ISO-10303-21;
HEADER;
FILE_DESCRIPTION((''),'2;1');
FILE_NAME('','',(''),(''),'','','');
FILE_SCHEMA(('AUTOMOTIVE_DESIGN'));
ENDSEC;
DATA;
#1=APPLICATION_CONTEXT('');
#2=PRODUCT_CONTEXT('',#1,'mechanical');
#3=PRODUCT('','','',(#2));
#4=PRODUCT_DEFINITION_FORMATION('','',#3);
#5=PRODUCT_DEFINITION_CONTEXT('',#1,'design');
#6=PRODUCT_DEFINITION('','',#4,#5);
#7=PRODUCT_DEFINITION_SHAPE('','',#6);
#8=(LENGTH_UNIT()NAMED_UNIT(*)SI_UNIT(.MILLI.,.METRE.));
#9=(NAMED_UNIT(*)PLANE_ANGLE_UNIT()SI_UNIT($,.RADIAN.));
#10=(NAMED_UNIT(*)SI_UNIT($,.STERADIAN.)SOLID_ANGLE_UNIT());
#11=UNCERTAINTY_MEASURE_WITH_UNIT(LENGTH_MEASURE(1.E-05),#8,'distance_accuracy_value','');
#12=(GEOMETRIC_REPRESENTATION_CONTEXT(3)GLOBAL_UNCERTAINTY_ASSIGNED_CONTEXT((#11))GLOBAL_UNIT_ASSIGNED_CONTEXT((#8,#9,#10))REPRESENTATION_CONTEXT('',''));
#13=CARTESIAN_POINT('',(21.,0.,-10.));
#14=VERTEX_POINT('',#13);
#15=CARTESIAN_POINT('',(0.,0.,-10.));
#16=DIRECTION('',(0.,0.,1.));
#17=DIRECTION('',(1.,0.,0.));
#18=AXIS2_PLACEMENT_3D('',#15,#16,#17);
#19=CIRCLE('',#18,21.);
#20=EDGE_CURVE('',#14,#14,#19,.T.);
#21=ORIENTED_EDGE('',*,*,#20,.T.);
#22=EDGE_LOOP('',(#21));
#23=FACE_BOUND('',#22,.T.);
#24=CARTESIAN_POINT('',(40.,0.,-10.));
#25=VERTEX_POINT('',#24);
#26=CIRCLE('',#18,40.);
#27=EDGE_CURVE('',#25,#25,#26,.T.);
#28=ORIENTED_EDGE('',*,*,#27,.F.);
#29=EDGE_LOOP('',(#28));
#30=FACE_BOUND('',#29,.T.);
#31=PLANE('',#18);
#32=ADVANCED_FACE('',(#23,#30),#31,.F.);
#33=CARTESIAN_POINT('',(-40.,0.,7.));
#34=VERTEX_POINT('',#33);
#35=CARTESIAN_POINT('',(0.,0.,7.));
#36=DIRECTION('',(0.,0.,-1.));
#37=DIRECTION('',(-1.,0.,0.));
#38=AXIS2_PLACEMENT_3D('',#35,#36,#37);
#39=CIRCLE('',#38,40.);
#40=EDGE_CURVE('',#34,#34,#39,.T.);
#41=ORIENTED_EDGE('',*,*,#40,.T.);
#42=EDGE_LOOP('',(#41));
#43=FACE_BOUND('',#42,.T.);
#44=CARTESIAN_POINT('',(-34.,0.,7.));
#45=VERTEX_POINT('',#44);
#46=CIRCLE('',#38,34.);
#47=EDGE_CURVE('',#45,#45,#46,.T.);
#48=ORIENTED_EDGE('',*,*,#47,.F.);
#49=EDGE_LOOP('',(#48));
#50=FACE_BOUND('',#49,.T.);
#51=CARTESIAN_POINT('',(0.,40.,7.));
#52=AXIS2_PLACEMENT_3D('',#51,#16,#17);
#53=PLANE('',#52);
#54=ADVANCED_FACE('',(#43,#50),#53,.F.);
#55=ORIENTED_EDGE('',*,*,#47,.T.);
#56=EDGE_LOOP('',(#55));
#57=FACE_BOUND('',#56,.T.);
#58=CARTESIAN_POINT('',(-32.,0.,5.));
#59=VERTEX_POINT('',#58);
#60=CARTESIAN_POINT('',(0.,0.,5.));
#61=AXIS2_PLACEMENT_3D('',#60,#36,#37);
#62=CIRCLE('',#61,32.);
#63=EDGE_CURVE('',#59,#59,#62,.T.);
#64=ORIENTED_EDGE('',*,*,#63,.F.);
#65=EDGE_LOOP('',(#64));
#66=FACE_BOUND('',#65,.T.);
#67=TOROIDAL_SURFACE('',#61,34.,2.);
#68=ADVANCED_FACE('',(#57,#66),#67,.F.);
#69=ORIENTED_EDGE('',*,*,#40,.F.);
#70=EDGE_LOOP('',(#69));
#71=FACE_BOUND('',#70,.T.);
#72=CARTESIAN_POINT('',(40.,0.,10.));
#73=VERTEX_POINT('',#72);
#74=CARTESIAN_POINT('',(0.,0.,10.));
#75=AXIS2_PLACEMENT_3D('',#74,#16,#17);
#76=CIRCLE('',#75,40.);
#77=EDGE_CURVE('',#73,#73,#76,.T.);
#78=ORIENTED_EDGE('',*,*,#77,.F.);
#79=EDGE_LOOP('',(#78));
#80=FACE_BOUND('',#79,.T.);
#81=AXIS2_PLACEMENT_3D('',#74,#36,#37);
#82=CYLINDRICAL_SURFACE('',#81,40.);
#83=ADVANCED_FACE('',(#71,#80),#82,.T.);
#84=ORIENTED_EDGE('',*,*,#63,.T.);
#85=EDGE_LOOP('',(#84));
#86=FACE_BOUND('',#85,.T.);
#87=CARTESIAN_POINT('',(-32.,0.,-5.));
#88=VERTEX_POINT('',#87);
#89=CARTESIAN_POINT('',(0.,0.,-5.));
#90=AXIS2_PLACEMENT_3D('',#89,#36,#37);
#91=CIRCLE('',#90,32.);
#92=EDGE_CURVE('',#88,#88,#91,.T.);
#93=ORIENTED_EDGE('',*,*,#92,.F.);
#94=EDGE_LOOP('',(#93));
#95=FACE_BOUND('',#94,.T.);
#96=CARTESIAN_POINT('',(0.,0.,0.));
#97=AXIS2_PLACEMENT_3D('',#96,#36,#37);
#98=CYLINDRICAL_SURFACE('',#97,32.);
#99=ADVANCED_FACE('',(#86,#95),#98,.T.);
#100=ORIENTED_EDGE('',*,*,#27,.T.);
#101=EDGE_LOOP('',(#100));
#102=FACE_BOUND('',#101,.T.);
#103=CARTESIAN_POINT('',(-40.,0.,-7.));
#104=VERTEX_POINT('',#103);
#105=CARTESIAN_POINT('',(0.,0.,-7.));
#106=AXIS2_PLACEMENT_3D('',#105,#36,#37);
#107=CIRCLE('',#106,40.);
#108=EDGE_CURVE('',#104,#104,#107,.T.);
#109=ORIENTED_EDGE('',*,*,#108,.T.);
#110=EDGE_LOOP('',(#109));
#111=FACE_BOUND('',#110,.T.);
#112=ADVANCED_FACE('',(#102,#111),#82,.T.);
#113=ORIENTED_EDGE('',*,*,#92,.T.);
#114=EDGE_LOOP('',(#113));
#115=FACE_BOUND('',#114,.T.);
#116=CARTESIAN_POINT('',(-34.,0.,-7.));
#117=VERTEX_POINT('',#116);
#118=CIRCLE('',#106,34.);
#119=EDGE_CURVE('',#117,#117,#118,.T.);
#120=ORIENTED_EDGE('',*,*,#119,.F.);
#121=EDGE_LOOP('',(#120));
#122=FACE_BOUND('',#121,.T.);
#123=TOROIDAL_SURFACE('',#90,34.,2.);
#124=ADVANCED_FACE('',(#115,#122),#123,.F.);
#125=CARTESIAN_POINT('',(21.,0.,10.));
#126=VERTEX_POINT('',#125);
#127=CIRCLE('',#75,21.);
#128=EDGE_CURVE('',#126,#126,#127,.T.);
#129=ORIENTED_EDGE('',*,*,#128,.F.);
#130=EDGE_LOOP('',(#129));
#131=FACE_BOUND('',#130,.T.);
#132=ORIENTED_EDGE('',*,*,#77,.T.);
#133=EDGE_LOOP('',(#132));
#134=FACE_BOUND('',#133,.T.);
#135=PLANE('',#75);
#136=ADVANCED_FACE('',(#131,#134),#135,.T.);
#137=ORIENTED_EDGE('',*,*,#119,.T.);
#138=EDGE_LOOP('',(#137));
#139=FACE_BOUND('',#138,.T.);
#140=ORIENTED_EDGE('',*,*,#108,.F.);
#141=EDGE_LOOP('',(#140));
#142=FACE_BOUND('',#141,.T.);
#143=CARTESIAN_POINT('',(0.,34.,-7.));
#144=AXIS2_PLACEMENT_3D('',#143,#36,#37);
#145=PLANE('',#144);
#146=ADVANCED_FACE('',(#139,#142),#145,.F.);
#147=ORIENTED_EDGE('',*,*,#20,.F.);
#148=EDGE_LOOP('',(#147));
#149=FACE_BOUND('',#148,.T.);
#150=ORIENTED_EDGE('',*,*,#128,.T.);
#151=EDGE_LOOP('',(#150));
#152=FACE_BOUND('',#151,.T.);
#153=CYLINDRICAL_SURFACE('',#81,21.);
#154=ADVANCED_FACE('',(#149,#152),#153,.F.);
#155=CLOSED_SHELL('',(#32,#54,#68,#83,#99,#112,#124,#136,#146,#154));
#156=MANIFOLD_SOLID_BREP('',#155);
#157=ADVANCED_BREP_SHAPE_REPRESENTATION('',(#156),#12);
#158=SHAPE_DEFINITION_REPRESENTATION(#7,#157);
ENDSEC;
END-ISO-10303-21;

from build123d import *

# Parameters (mm, degrees)
SKETCH_1_R      = 40
SKETCH_1_R_2    = 30
SKETCH_1_R_3    = 21
EXTRUDE_1_DEPTH = 10


with BuildPart() as part:
    # 草图1 → 凸台-拉伸1 (new, symmetric)
    with BuildSketch(Plane.XY):
        Circle(SKETCH_1_R)
        Circle(SKETCH_1_R_2, mode=Mode.SUBTRACT)
        Circle(SKETCH_1_R_2)
        Circle(SKETCH_1_R_3, mode=Mode.SUBTRACT)
    extrude(amount=EXTRUDE_1_DEPTH, both=True)

    # 草图2 → 切除-旋转1 (revolve, cut)
    with BuildSketch(Plane(origin=(0, 0, 0), x_dir=(0, 0, -1), z_dir=(1, 0, 0)), mode=Mode.PRIVATE) as cut_revolve_1_sk:
        with BuildLine():
            Line((-7, 40), (-7, 34))
            ThreePointArc((-7, 34), (-6.414213562, 32.585786438), (-5, 32))
            Line((-5, 32), (5, 32))
            ThreePointArc((5, 32), (6.414213562, 32.585786438), (7, 34))
            Line((7, 34), (7, 40))
            Line((7, 40), (-7, 40))
        make_face()
    revolve(cut_revolve_1_sk.sketch.rotate(Axis((0, 0, 0), (0, 0, 1)), 90), axis=Axis((0, 0, 0), (0, 0, 1)), mode=Mode.SUBTRACT)


solid = part.part
